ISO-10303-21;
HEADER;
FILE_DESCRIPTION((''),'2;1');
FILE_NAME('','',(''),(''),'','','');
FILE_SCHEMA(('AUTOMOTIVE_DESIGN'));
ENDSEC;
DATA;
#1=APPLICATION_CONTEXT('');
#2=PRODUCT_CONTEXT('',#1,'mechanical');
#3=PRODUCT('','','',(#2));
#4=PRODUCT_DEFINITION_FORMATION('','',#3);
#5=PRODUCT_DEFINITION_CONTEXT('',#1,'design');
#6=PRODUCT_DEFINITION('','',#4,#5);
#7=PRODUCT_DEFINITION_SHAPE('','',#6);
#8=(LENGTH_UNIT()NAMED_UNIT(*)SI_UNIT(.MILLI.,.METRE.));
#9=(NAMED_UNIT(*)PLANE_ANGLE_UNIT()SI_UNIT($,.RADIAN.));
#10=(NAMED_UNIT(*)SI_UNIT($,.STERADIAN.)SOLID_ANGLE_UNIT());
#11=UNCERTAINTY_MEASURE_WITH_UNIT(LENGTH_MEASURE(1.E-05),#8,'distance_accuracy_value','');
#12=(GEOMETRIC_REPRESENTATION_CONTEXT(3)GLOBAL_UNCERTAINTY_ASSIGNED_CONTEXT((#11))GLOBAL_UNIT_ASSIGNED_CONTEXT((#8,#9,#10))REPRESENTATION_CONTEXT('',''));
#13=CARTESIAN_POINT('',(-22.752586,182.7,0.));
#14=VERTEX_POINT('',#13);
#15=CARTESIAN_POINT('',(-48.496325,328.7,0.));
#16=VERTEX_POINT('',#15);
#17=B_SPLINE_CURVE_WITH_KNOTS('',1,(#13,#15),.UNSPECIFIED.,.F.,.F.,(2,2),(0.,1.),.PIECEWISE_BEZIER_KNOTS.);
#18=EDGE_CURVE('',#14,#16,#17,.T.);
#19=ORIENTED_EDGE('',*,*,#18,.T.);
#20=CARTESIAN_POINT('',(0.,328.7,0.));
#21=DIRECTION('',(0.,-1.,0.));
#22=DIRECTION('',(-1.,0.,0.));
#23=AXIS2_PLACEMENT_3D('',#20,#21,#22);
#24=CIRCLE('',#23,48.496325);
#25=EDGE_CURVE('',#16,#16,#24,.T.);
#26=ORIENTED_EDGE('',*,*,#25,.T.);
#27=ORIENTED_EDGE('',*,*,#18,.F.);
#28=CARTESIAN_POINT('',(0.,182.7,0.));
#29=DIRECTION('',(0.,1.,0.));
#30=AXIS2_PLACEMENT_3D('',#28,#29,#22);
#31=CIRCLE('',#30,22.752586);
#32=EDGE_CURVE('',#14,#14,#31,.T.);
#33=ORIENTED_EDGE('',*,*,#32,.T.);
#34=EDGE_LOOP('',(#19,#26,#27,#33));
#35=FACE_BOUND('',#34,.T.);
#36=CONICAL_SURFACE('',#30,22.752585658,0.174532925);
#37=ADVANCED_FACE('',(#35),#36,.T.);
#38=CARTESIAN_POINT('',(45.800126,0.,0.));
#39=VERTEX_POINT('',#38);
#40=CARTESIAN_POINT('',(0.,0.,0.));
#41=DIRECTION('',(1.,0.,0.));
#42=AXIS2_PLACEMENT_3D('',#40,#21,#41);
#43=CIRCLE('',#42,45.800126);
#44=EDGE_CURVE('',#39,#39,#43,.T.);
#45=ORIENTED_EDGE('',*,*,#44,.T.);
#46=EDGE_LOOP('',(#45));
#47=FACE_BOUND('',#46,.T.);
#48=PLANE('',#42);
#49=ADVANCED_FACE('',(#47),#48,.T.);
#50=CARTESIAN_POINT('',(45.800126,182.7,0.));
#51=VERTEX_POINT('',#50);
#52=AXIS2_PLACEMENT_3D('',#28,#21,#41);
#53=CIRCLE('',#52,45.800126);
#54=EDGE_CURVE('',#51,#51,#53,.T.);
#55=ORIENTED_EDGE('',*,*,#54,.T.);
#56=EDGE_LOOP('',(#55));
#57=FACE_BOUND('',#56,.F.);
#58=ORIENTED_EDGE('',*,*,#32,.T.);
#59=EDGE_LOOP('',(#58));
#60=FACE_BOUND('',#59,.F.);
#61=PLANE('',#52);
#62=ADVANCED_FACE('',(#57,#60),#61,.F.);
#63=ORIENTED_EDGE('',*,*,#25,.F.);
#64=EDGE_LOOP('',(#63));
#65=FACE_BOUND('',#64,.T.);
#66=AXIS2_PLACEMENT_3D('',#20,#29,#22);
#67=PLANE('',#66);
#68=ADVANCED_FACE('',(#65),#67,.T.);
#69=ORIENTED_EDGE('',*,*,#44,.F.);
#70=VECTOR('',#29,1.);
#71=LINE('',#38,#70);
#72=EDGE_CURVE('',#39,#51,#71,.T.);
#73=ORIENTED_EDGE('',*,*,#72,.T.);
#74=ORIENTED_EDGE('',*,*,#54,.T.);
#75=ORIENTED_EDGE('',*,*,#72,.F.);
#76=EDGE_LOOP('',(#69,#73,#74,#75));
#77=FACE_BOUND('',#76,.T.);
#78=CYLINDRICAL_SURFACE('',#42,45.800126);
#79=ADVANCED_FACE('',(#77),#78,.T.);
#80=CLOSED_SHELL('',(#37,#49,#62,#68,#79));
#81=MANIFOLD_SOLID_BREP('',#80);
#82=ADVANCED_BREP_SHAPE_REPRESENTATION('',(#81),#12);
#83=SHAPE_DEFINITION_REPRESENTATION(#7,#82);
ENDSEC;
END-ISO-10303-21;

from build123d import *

# Parameters (mm, degrees)
F0_R     = 45.800126336
F1_DEPTH = 182.7
F2_R     = 22.7525856583
F3_DEPTH = 146
F3_TAPER = -10


with BuildPart() as f1:
    # F0 (on Front) → F1 (new body)
    with BuildSketch(Plane.XZ):
        Circle(F0_R)
    extrude(amount=-F1_DEPTH)

    # F2 (on face) → F3 (join)
    with BuildSketch(Plane(origin=(0, 182.7, 0), x_dir=(-1, 0, 0), z_dir=(0, 1, 0))):
        Circle(F2_R)
    extrude(amount=F3_DEPTH, taper=F3_TAPER)


solid = f1.part
